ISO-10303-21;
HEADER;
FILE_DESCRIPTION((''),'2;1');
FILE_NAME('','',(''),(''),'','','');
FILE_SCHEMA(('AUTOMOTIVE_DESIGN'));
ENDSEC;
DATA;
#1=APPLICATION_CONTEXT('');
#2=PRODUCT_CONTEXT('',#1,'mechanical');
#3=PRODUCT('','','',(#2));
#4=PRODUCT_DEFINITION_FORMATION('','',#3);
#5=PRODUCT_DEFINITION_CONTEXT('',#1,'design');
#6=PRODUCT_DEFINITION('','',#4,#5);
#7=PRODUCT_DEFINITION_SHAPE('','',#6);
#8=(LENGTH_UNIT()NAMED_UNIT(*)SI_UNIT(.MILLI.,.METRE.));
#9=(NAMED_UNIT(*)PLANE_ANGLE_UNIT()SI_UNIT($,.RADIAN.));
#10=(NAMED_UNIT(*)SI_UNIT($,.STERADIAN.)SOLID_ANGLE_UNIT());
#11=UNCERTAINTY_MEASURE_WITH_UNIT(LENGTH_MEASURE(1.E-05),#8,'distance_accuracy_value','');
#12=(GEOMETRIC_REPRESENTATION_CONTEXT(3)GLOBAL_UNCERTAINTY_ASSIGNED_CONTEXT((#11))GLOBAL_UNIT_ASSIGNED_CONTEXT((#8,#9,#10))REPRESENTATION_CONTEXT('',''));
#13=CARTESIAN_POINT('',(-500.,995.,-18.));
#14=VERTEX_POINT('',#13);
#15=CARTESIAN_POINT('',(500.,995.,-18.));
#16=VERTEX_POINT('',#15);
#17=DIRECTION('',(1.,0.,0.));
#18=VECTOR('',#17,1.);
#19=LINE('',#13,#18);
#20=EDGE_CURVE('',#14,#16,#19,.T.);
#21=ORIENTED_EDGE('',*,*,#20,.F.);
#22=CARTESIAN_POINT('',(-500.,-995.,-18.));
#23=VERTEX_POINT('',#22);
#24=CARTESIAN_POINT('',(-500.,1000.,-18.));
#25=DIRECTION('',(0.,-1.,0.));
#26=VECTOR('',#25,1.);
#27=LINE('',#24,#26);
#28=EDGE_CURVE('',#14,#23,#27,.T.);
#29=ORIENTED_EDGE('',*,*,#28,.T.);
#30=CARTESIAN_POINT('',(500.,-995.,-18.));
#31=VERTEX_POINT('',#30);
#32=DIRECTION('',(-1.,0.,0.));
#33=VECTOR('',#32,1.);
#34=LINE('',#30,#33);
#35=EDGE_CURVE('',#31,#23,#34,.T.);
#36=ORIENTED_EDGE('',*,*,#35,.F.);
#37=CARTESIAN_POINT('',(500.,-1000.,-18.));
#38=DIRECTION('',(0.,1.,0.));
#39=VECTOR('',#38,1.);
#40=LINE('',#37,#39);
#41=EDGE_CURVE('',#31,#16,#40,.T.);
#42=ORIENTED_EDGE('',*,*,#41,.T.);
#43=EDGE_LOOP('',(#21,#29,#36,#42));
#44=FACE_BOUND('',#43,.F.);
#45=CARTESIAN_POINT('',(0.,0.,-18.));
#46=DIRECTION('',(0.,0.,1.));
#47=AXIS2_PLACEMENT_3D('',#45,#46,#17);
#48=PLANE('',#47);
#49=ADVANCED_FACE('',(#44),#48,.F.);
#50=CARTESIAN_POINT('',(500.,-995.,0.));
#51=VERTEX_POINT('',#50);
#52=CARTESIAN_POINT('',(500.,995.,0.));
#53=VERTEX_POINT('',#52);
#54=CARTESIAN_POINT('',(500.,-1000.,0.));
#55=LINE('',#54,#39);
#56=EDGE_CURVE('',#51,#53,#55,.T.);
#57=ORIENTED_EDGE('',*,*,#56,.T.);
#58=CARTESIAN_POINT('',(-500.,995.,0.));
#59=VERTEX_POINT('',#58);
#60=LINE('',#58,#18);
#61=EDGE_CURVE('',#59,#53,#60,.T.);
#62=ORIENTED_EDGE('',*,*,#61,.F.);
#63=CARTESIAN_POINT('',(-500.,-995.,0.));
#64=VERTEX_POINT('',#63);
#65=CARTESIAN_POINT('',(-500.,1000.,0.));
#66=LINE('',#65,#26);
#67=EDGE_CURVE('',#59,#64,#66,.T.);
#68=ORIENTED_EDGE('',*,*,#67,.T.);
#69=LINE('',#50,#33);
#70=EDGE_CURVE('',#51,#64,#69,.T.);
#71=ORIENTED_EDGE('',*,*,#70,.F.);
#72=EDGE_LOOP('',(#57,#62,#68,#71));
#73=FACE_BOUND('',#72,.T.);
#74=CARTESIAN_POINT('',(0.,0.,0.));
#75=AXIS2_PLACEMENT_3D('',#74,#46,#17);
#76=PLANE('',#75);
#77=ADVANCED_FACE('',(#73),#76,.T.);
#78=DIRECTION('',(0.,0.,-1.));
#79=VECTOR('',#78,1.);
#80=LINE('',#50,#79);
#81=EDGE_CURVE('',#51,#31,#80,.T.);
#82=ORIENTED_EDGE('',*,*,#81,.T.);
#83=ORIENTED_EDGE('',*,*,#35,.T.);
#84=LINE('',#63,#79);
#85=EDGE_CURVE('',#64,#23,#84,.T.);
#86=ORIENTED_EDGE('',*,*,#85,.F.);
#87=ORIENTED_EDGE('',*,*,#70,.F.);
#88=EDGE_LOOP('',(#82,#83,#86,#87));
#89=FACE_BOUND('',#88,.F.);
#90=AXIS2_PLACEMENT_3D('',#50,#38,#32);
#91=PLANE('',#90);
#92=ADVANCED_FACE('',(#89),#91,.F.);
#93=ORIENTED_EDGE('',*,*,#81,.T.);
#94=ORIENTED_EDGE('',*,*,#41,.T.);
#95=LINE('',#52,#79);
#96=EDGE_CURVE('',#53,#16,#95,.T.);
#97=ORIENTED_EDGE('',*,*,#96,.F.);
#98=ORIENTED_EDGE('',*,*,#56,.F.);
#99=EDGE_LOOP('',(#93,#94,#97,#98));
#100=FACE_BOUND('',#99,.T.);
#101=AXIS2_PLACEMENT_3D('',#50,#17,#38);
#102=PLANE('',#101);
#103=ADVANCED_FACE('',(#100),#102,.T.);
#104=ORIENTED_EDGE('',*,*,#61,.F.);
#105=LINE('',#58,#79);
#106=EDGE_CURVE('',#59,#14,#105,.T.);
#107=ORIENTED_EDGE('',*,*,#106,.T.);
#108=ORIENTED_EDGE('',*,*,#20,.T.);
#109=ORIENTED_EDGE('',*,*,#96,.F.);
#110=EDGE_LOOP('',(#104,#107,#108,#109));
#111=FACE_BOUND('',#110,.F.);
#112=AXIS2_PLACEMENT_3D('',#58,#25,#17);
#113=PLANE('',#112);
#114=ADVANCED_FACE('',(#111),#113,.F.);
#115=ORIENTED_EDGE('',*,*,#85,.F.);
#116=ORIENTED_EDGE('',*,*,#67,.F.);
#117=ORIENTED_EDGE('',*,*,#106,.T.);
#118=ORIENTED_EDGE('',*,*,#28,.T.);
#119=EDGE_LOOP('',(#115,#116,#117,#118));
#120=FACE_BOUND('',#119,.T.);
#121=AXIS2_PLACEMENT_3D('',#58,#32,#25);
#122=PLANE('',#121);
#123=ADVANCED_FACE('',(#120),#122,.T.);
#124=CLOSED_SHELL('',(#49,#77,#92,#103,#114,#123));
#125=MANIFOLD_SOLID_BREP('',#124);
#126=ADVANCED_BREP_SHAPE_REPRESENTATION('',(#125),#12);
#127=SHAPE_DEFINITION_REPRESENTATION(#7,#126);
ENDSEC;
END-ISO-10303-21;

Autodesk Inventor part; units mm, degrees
ref_plane "YZ Plane" through (0, 0, 0) normal (1, 0, 0) x (0, 1, 0)
ref_plane "XZ Plane" through (0, 0, 0) normal (0, 1, 0) x (-1, 0, 0)
ref_plane "XY Plane" through (0, 0, 0) normal (0, 0, 1) x (1, 0, 0)
sketch "Sketch2" plane through (0, 0, 0) normal (0, 0, 1) x (1, 0, 0)
  line L0 (-500, -1000) -> (500, -1000)
  line L1 (500, -1000) -> (500, 1000)
  line L2 (500, 1000) -> (-500, 1000)
  line L3 (-500, 1000) -> (-500, -1000)
  point P0 (0, 0)
  point P1 (0, 1000)
  point P2 (-500, 0)
  dimension "Door_width" = 1000
  dimension "Door_height" = 2000
sketch "Sketch3" plane through (0, 0, 0) normal (0, 0, 1) x (1, 0, 0)
  line L0 (500, 1000) -> (-500, 1000) projected
  line L1 (-500, 1000) -> (-500, -1000) projected
  line L2 (500, -1000) -> (500, 1000) projected
  line L3 (-500, -1000) -> (500, -1000) projected
  line L4 (-500, 995) -> (500, 995)
  line L5 (500, 995) -> (500, -995)
  line L6 (500, -995) -> (-500, -995)
  line L7 (-500, -995) -> (-500, 995)
  point P0 (0, 0)
  dimension "d4" = 5
  dimension "d5" = 5
extrude "Extrusion1" add sketch "Sketch3" against normal blind 18 contours L2 L6 L1 L4
equation "\"d6\" = Board_Thickness"
equation "\"Board_Thickness\" = 18"
properties part number "Door skeleton"
